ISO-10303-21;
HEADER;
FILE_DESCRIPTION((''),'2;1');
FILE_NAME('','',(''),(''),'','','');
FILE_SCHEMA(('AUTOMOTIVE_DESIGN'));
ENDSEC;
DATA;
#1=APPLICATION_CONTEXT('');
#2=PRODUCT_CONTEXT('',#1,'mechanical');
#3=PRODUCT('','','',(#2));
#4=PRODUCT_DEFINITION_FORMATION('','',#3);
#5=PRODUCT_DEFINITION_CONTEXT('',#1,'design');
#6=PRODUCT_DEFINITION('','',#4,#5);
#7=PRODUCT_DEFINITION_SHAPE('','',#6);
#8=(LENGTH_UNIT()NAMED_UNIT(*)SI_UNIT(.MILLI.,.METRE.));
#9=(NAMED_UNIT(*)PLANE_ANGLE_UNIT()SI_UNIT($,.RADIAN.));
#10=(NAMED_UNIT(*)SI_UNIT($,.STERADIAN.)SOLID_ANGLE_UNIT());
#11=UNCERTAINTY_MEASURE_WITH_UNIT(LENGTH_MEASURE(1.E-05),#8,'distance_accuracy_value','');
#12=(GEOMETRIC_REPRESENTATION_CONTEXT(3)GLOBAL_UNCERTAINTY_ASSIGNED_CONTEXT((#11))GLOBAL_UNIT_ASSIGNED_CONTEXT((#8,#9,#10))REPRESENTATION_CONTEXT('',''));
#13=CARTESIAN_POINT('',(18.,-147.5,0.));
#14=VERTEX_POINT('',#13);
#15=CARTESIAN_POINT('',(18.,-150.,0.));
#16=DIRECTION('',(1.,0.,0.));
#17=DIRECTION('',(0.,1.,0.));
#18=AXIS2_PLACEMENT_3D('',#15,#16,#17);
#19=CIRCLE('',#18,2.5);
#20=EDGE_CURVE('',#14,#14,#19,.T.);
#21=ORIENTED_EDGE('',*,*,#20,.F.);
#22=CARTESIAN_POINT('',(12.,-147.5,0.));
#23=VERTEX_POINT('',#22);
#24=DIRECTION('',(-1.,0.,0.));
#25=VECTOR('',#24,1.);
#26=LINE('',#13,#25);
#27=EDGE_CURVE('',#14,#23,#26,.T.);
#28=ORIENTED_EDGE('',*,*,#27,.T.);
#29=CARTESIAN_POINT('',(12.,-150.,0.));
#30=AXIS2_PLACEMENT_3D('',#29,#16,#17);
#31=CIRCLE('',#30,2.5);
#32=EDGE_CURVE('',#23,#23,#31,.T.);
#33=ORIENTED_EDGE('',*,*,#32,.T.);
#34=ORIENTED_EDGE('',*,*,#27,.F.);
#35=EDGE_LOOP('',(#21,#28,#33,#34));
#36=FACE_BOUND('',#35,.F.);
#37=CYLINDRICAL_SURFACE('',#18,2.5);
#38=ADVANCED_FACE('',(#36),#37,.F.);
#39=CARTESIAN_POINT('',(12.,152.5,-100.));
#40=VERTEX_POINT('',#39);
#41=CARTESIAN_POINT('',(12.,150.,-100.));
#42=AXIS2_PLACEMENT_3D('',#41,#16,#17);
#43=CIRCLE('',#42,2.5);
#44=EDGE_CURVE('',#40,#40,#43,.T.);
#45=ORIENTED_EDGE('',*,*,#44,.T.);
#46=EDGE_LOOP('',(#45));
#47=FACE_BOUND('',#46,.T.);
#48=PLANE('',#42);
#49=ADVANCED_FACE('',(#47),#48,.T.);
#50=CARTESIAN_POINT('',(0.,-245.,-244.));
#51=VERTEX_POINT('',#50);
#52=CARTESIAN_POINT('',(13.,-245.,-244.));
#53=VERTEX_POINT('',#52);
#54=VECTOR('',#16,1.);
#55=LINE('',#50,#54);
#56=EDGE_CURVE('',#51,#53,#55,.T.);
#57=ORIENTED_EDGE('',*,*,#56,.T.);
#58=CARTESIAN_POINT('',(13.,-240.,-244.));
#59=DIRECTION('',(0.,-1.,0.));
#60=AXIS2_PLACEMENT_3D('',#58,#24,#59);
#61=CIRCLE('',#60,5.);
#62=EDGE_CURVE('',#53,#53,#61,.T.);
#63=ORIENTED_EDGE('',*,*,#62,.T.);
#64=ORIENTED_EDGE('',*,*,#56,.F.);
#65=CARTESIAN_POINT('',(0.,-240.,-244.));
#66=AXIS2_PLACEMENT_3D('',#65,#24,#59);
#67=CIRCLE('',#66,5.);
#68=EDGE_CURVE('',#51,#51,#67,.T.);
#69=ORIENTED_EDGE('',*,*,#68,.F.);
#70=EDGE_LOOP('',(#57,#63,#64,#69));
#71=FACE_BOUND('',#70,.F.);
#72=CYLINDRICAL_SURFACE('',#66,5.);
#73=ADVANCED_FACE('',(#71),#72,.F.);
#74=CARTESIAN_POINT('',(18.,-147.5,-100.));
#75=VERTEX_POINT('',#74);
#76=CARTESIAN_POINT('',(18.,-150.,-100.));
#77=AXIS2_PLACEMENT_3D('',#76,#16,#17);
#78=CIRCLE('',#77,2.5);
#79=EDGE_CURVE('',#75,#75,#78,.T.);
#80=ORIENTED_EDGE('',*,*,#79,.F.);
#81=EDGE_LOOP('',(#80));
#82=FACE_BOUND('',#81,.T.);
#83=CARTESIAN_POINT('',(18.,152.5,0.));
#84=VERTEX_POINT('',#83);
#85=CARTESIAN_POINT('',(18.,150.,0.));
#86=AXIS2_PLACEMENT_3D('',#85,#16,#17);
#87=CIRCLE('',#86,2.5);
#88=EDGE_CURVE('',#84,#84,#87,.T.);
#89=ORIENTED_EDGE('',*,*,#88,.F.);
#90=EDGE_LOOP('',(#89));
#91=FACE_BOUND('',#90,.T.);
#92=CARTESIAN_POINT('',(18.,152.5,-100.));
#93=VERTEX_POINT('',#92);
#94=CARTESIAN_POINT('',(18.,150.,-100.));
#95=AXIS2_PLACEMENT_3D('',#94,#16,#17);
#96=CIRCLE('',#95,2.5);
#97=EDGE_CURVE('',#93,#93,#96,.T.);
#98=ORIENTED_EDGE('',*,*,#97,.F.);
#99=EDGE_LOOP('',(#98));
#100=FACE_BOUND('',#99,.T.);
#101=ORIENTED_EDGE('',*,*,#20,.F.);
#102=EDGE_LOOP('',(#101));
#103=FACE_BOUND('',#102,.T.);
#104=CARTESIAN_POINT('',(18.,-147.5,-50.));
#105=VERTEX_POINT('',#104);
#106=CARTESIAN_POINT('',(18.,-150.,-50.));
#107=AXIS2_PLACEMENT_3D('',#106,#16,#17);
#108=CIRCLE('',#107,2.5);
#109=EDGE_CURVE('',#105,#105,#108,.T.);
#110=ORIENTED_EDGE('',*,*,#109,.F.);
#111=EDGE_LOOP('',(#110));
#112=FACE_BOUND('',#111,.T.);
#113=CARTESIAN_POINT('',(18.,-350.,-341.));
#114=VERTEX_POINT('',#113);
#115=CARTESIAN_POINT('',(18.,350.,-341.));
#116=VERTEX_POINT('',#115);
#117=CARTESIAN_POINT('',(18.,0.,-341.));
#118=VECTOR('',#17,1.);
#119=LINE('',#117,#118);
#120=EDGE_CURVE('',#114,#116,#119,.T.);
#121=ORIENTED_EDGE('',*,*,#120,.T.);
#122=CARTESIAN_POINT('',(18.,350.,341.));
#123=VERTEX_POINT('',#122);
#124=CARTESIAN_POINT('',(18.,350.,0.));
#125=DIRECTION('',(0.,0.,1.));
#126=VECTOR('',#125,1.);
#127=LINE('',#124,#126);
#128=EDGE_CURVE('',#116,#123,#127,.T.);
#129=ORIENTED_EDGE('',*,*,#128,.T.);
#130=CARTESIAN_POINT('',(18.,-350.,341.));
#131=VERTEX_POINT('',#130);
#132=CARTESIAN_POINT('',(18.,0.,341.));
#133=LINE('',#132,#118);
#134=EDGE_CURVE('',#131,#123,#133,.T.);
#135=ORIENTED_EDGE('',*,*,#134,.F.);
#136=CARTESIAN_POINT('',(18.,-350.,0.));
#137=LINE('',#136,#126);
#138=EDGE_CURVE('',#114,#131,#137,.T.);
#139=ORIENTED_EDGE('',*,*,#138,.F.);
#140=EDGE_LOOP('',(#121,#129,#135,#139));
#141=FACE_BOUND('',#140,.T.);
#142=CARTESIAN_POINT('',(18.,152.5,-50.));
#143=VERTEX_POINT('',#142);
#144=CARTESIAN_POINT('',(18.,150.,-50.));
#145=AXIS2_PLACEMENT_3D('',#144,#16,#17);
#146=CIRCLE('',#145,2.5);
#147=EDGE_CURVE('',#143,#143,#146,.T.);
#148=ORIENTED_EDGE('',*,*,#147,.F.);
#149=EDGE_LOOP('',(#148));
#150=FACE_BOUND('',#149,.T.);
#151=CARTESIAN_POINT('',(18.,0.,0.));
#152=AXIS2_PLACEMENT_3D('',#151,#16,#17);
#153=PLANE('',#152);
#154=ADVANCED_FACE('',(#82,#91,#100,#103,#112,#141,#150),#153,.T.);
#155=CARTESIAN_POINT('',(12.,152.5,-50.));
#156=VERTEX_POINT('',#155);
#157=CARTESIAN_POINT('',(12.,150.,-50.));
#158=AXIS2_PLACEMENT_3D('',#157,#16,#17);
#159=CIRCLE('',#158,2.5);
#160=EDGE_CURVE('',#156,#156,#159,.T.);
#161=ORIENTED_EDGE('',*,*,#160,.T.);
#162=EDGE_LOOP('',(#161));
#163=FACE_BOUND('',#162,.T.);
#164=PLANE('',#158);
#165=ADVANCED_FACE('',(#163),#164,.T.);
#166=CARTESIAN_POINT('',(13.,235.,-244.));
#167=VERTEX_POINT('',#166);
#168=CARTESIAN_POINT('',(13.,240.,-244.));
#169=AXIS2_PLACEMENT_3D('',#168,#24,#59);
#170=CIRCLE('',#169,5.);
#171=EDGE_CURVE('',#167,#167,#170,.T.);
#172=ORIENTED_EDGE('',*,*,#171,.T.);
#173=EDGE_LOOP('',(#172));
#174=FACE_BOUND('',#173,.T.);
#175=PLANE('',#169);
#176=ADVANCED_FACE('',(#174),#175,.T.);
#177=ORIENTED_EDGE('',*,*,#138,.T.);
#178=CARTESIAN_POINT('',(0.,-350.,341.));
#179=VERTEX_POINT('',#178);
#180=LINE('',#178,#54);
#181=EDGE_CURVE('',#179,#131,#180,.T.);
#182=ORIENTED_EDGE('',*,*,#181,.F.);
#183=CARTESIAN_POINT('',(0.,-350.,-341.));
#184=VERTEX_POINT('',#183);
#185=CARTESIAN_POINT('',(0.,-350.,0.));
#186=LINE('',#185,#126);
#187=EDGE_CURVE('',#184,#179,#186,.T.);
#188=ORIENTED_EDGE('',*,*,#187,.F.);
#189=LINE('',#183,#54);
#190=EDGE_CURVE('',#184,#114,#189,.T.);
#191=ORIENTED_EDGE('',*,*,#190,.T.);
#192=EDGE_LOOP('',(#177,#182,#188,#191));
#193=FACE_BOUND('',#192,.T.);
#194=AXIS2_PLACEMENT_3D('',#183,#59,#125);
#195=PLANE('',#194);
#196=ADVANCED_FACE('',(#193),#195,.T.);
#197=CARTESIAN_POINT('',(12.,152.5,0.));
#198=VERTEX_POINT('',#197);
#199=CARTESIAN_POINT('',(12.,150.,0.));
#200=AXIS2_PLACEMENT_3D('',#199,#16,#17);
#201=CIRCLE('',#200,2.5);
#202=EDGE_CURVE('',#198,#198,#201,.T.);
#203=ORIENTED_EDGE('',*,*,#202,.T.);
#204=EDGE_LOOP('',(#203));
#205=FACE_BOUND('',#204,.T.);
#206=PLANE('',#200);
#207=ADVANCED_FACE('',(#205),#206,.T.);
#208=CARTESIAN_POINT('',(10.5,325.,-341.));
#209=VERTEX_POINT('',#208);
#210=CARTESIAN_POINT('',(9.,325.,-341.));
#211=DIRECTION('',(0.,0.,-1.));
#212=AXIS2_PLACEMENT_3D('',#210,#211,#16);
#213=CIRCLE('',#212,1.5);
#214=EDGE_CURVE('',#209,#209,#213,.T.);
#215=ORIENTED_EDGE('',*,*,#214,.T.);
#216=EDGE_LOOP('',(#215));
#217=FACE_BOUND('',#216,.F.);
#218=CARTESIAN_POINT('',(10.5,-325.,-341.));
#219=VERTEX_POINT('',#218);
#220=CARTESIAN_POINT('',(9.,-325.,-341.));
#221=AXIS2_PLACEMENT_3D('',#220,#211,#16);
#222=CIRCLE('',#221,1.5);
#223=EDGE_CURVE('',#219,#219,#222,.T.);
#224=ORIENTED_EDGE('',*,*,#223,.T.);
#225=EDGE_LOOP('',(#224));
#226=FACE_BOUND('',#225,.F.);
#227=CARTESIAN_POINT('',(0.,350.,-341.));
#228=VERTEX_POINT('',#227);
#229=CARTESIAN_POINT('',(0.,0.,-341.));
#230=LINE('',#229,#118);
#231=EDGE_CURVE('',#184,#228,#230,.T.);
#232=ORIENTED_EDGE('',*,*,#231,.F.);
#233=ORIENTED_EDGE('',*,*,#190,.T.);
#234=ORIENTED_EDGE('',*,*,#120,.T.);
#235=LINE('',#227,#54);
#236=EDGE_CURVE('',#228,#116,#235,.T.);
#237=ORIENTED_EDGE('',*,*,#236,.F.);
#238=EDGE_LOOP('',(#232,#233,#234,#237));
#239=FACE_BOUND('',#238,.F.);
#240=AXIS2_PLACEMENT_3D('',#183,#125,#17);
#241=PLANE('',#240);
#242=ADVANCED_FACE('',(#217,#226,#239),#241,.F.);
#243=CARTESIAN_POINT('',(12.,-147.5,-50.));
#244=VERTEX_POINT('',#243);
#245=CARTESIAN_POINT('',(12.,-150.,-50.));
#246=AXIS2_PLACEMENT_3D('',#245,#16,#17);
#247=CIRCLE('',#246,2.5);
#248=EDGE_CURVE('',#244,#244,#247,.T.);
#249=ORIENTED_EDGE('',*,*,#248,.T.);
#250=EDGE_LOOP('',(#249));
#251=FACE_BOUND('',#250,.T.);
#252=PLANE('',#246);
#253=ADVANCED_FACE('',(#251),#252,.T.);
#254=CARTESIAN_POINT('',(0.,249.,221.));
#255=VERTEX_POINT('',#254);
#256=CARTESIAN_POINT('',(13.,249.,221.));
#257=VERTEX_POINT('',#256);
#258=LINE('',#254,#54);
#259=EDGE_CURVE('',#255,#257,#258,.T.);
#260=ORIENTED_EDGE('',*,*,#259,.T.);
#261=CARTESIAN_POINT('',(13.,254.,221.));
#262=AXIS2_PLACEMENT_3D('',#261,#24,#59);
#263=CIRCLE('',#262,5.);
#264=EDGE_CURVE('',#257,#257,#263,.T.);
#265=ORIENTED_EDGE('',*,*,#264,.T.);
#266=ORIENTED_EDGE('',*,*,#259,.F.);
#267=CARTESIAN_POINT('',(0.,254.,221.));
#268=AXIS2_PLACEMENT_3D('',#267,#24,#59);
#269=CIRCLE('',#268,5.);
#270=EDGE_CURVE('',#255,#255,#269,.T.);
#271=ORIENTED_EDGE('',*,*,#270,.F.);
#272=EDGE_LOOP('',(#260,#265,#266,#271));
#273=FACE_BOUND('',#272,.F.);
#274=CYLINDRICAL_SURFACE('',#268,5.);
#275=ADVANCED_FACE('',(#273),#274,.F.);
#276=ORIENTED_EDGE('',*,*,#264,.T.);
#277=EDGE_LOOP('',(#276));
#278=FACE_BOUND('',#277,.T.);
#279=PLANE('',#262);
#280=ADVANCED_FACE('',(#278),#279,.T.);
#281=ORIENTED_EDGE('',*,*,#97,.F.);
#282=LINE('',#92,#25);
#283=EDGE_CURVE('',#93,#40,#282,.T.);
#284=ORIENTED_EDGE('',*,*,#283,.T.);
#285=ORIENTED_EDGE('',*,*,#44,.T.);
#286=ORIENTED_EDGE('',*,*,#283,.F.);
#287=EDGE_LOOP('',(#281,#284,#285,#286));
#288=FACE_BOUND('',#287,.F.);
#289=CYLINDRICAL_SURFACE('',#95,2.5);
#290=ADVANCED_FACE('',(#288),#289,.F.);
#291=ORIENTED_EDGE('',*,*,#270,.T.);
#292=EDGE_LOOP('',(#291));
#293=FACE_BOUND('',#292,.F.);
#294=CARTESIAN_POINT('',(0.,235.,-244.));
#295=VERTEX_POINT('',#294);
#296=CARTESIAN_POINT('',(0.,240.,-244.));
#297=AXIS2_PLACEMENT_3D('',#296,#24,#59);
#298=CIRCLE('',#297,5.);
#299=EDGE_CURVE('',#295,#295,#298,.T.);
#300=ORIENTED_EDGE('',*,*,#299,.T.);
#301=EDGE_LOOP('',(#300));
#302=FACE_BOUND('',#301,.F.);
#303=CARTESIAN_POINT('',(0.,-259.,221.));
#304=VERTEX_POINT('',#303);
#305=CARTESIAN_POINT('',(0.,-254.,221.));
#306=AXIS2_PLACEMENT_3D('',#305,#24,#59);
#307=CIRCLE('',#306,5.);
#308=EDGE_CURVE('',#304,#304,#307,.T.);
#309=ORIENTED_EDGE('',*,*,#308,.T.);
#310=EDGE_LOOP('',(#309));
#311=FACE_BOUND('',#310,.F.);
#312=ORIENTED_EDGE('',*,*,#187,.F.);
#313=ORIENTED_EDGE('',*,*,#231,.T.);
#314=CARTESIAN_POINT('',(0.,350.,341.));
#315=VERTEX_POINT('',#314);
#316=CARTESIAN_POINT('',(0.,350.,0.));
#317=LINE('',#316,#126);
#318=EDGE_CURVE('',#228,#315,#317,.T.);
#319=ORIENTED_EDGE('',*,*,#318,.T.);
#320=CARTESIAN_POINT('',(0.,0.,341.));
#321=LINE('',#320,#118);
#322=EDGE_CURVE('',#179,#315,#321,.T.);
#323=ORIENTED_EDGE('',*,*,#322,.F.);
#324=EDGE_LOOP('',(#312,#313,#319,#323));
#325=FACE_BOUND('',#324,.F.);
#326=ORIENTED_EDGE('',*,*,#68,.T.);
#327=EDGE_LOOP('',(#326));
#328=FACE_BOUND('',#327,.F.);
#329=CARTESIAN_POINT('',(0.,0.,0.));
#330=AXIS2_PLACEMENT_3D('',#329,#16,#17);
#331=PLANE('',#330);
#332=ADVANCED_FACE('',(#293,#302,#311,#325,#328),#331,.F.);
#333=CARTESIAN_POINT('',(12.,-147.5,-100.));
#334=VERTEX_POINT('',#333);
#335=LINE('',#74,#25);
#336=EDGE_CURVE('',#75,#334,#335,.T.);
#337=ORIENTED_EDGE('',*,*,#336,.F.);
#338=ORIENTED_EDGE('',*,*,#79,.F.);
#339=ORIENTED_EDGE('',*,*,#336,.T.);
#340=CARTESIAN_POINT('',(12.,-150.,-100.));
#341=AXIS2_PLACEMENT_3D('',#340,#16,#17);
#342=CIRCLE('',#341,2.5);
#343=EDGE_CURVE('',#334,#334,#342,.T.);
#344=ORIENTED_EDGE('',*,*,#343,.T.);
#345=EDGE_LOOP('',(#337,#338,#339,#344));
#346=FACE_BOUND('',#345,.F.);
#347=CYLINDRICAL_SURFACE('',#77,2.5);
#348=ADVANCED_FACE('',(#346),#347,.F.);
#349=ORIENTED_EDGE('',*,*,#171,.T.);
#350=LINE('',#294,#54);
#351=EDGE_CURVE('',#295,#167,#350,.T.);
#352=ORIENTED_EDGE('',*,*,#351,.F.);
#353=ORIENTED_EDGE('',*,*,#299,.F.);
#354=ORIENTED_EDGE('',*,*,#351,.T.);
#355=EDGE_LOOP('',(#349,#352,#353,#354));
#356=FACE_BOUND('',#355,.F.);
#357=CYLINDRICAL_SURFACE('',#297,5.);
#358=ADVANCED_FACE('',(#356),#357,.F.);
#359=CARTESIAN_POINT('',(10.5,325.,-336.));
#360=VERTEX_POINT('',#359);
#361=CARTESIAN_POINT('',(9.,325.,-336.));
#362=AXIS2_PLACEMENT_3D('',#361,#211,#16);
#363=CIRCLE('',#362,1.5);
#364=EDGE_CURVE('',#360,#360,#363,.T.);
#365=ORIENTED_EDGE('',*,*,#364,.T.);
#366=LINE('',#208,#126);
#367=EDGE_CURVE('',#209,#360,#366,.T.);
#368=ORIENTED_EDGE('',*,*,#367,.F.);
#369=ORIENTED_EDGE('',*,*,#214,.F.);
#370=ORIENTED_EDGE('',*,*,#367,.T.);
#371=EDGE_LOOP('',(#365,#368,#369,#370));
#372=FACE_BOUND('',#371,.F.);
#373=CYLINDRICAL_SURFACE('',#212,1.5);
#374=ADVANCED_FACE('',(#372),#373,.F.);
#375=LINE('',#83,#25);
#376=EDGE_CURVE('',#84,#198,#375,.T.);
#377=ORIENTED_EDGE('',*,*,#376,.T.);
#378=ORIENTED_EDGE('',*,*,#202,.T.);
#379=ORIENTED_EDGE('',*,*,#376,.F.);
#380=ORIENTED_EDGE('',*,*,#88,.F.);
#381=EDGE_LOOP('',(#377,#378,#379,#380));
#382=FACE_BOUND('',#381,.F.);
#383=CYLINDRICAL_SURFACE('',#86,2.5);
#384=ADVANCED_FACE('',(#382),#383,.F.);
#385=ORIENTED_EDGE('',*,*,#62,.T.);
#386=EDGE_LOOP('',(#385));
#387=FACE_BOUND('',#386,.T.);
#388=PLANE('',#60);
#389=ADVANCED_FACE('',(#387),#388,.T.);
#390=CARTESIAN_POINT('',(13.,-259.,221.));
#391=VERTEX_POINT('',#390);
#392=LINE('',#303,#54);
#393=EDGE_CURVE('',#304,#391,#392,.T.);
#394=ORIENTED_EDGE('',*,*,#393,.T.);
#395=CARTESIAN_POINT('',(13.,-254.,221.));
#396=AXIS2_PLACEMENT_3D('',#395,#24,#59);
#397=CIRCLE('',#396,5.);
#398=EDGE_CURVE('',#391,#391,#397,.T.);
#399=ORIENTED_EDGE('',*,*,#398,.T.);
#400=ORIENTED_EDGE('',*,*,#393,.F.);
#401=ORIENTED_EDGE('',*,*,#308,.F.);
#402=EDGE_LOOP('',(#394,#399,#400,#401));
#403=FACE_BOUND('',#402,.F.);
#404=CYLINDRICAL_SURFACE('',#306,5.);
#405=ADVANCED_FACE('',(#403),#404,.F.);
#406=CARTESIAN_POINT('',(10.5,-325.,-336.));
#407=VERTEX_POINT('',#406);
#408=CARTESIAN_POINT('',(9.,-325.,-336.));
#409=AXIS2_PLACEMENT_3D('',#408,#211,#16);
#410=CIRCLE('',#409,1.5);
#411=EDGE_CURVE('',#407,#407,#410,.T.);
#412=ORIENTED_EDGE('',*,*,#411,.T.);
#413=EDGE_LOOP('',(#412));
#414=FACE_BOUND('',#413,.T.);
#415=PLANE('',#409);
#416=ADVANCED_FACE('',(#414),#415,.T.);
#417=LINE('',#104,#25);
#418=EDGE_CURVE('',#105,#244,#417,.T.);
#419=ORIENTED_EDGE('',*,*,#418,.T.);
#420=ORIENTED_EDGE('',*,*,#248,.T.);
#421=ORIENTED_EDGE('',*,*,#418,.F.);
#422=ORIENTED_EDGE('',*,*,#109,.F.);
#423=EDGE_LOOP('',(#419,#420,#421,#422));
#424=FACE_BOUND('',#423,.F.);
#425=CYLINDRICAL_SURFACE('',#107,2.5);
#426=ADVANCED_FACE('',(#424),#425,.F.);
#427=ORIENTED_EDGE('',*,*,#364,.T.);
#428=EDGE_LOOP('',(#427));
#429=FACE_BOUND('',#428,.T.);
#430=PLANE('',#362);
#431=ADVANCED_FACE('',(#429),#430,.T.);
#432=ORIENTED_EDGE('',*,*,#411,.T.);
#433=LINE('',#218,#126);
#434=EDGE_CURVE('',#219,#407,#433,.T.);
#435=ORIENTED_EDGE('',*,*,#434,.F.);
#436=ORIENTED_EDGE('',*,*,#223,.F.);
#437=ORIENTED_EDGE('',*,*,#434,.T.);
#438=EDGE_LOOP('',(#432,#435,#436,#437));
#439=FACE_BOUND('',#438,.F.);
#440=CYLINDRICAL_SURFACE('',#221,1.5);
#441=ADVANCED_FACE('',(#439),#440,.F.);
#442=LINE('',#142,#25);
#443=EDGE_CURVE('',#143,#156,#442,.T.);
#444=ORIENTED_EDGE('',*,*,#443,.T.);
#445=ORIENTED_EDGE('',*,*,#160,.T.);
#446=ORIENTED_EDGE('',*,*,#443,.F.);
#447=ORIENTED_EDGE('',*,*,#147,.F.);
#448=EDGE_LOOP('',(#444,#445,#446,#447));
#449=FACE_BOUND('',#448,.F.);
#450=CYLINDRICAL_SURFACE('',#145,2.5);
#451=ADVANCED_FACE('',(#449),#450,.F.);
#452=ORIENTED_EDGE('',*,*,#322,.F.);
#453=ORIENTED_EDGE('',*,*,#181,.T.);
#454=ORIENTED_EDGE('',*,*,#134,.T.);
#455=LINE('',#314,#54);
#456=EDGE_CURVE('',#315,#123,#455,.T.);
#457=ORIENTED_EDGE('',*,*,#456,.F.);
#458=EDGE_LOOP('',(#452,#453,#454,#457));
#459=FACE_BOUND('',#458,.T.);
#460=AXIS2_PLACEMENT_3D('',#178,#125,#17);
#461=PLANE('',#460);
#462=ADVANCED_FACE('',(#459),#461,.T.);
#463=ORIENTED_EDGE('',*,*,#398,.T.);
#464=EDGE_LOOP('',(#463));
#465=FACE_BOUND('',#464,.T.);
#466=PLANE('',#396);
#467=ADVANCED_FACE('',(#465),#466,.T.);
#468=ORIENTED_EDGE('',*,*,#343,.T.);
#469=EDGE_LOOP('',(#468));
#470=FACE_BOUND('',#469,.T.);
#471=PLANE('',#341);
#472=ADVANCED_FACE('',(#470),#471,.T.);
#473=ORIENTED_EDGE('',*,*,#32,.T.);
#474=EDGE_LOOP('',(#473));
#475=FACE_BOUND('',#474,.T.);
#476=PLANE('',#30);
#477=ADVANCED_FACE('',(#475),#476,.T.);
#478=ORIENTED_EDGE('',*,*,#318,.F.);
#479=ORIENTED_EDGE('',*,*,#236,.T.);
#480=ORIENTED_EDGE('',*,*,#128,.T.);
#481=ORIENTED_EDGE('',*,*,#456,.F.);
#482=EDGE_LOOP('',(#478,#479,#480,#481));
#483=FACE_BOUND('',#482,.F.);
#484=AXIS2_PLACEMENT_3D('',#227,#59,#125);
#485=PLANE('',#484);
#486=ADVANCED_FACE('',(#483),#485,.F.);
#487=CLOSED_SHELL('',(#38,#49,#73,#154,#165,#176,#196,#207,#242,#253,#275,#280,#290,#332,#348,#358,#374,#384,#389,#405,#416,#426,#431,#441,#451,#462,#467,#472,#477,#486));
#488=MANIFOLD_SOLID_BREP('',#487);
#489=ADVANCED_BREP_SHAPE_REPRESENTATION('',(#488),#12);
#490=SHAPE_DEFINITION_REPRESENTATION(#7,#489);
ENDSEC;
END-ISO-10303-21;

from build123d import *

# Parameters (mm, degrees)
F0_W     = 700
F0_H     = 682
F1_DEPTH = 18
F2_R     = 1.5
F3_DEPTH = 5
F4_R     = 5
F5_DEPTH = 13
F6_R     = 2.5
F7_DEPTH = 6


with BuildPart() as f1:
    # F0 (on Right) → F1 (new body)
    with BuildSketch(Plane.YZ):
        Rectangle(F0_W, F0_H)
    extrude(amount=F1_DEPTH)

    # F2 (on face) → F3 (cut)
    with BuildSketch(Plane(origin=(0, 0, -341), x_dir=(1, 0, 0), z_dir=(0, 0, -1))):
        with Locations((9, 325)):
            Circle(F2_R)
        with Locations((9, -325)):
            Circle(F2_R)
    extrude(amount=-F3_DEPTH, mode=Mode.SUBTRACT)

    # F4 (on face) → F5 (cut)
    with BuildSketch(Plane(origin=(0, 0, 0), x_dir=(0, -1, 0), z_dir=(-1, 0, 0))):
        with Locations((-254, 221)):
            Circle(F4_R)
        with Locations((254, 221)):
            Circle(F4_R)
        with Locations((-240, -244)):
            Circle(F4_R)
        with Locations((240, -244)):
            Circle(F4_R)
    extrude(amount=-F5_DEPTH, mode=Mode.SUBTRACT)

    # F6 (on face) → F7 (cut)
    with BuildSketch(Plane.YZ.offset(18)):
        with Locations((-150, 0)):
            Circle(F6_R)
        with Locations((150, 0)):
            Circle(F6_R)
        with Locations((-150, -50)):
            Circle(F6_R)
        with Locations((150, -50)):
            Circle(F6_R)
        with Locations((-150, -100)):
            Circle(F6_R)
        with Locations((150, -100)):
            Circle(F6_R)
    extrude(amount=-F7_DEPTH, mode=Mode.SUBTRACT)


solid = f1.part
